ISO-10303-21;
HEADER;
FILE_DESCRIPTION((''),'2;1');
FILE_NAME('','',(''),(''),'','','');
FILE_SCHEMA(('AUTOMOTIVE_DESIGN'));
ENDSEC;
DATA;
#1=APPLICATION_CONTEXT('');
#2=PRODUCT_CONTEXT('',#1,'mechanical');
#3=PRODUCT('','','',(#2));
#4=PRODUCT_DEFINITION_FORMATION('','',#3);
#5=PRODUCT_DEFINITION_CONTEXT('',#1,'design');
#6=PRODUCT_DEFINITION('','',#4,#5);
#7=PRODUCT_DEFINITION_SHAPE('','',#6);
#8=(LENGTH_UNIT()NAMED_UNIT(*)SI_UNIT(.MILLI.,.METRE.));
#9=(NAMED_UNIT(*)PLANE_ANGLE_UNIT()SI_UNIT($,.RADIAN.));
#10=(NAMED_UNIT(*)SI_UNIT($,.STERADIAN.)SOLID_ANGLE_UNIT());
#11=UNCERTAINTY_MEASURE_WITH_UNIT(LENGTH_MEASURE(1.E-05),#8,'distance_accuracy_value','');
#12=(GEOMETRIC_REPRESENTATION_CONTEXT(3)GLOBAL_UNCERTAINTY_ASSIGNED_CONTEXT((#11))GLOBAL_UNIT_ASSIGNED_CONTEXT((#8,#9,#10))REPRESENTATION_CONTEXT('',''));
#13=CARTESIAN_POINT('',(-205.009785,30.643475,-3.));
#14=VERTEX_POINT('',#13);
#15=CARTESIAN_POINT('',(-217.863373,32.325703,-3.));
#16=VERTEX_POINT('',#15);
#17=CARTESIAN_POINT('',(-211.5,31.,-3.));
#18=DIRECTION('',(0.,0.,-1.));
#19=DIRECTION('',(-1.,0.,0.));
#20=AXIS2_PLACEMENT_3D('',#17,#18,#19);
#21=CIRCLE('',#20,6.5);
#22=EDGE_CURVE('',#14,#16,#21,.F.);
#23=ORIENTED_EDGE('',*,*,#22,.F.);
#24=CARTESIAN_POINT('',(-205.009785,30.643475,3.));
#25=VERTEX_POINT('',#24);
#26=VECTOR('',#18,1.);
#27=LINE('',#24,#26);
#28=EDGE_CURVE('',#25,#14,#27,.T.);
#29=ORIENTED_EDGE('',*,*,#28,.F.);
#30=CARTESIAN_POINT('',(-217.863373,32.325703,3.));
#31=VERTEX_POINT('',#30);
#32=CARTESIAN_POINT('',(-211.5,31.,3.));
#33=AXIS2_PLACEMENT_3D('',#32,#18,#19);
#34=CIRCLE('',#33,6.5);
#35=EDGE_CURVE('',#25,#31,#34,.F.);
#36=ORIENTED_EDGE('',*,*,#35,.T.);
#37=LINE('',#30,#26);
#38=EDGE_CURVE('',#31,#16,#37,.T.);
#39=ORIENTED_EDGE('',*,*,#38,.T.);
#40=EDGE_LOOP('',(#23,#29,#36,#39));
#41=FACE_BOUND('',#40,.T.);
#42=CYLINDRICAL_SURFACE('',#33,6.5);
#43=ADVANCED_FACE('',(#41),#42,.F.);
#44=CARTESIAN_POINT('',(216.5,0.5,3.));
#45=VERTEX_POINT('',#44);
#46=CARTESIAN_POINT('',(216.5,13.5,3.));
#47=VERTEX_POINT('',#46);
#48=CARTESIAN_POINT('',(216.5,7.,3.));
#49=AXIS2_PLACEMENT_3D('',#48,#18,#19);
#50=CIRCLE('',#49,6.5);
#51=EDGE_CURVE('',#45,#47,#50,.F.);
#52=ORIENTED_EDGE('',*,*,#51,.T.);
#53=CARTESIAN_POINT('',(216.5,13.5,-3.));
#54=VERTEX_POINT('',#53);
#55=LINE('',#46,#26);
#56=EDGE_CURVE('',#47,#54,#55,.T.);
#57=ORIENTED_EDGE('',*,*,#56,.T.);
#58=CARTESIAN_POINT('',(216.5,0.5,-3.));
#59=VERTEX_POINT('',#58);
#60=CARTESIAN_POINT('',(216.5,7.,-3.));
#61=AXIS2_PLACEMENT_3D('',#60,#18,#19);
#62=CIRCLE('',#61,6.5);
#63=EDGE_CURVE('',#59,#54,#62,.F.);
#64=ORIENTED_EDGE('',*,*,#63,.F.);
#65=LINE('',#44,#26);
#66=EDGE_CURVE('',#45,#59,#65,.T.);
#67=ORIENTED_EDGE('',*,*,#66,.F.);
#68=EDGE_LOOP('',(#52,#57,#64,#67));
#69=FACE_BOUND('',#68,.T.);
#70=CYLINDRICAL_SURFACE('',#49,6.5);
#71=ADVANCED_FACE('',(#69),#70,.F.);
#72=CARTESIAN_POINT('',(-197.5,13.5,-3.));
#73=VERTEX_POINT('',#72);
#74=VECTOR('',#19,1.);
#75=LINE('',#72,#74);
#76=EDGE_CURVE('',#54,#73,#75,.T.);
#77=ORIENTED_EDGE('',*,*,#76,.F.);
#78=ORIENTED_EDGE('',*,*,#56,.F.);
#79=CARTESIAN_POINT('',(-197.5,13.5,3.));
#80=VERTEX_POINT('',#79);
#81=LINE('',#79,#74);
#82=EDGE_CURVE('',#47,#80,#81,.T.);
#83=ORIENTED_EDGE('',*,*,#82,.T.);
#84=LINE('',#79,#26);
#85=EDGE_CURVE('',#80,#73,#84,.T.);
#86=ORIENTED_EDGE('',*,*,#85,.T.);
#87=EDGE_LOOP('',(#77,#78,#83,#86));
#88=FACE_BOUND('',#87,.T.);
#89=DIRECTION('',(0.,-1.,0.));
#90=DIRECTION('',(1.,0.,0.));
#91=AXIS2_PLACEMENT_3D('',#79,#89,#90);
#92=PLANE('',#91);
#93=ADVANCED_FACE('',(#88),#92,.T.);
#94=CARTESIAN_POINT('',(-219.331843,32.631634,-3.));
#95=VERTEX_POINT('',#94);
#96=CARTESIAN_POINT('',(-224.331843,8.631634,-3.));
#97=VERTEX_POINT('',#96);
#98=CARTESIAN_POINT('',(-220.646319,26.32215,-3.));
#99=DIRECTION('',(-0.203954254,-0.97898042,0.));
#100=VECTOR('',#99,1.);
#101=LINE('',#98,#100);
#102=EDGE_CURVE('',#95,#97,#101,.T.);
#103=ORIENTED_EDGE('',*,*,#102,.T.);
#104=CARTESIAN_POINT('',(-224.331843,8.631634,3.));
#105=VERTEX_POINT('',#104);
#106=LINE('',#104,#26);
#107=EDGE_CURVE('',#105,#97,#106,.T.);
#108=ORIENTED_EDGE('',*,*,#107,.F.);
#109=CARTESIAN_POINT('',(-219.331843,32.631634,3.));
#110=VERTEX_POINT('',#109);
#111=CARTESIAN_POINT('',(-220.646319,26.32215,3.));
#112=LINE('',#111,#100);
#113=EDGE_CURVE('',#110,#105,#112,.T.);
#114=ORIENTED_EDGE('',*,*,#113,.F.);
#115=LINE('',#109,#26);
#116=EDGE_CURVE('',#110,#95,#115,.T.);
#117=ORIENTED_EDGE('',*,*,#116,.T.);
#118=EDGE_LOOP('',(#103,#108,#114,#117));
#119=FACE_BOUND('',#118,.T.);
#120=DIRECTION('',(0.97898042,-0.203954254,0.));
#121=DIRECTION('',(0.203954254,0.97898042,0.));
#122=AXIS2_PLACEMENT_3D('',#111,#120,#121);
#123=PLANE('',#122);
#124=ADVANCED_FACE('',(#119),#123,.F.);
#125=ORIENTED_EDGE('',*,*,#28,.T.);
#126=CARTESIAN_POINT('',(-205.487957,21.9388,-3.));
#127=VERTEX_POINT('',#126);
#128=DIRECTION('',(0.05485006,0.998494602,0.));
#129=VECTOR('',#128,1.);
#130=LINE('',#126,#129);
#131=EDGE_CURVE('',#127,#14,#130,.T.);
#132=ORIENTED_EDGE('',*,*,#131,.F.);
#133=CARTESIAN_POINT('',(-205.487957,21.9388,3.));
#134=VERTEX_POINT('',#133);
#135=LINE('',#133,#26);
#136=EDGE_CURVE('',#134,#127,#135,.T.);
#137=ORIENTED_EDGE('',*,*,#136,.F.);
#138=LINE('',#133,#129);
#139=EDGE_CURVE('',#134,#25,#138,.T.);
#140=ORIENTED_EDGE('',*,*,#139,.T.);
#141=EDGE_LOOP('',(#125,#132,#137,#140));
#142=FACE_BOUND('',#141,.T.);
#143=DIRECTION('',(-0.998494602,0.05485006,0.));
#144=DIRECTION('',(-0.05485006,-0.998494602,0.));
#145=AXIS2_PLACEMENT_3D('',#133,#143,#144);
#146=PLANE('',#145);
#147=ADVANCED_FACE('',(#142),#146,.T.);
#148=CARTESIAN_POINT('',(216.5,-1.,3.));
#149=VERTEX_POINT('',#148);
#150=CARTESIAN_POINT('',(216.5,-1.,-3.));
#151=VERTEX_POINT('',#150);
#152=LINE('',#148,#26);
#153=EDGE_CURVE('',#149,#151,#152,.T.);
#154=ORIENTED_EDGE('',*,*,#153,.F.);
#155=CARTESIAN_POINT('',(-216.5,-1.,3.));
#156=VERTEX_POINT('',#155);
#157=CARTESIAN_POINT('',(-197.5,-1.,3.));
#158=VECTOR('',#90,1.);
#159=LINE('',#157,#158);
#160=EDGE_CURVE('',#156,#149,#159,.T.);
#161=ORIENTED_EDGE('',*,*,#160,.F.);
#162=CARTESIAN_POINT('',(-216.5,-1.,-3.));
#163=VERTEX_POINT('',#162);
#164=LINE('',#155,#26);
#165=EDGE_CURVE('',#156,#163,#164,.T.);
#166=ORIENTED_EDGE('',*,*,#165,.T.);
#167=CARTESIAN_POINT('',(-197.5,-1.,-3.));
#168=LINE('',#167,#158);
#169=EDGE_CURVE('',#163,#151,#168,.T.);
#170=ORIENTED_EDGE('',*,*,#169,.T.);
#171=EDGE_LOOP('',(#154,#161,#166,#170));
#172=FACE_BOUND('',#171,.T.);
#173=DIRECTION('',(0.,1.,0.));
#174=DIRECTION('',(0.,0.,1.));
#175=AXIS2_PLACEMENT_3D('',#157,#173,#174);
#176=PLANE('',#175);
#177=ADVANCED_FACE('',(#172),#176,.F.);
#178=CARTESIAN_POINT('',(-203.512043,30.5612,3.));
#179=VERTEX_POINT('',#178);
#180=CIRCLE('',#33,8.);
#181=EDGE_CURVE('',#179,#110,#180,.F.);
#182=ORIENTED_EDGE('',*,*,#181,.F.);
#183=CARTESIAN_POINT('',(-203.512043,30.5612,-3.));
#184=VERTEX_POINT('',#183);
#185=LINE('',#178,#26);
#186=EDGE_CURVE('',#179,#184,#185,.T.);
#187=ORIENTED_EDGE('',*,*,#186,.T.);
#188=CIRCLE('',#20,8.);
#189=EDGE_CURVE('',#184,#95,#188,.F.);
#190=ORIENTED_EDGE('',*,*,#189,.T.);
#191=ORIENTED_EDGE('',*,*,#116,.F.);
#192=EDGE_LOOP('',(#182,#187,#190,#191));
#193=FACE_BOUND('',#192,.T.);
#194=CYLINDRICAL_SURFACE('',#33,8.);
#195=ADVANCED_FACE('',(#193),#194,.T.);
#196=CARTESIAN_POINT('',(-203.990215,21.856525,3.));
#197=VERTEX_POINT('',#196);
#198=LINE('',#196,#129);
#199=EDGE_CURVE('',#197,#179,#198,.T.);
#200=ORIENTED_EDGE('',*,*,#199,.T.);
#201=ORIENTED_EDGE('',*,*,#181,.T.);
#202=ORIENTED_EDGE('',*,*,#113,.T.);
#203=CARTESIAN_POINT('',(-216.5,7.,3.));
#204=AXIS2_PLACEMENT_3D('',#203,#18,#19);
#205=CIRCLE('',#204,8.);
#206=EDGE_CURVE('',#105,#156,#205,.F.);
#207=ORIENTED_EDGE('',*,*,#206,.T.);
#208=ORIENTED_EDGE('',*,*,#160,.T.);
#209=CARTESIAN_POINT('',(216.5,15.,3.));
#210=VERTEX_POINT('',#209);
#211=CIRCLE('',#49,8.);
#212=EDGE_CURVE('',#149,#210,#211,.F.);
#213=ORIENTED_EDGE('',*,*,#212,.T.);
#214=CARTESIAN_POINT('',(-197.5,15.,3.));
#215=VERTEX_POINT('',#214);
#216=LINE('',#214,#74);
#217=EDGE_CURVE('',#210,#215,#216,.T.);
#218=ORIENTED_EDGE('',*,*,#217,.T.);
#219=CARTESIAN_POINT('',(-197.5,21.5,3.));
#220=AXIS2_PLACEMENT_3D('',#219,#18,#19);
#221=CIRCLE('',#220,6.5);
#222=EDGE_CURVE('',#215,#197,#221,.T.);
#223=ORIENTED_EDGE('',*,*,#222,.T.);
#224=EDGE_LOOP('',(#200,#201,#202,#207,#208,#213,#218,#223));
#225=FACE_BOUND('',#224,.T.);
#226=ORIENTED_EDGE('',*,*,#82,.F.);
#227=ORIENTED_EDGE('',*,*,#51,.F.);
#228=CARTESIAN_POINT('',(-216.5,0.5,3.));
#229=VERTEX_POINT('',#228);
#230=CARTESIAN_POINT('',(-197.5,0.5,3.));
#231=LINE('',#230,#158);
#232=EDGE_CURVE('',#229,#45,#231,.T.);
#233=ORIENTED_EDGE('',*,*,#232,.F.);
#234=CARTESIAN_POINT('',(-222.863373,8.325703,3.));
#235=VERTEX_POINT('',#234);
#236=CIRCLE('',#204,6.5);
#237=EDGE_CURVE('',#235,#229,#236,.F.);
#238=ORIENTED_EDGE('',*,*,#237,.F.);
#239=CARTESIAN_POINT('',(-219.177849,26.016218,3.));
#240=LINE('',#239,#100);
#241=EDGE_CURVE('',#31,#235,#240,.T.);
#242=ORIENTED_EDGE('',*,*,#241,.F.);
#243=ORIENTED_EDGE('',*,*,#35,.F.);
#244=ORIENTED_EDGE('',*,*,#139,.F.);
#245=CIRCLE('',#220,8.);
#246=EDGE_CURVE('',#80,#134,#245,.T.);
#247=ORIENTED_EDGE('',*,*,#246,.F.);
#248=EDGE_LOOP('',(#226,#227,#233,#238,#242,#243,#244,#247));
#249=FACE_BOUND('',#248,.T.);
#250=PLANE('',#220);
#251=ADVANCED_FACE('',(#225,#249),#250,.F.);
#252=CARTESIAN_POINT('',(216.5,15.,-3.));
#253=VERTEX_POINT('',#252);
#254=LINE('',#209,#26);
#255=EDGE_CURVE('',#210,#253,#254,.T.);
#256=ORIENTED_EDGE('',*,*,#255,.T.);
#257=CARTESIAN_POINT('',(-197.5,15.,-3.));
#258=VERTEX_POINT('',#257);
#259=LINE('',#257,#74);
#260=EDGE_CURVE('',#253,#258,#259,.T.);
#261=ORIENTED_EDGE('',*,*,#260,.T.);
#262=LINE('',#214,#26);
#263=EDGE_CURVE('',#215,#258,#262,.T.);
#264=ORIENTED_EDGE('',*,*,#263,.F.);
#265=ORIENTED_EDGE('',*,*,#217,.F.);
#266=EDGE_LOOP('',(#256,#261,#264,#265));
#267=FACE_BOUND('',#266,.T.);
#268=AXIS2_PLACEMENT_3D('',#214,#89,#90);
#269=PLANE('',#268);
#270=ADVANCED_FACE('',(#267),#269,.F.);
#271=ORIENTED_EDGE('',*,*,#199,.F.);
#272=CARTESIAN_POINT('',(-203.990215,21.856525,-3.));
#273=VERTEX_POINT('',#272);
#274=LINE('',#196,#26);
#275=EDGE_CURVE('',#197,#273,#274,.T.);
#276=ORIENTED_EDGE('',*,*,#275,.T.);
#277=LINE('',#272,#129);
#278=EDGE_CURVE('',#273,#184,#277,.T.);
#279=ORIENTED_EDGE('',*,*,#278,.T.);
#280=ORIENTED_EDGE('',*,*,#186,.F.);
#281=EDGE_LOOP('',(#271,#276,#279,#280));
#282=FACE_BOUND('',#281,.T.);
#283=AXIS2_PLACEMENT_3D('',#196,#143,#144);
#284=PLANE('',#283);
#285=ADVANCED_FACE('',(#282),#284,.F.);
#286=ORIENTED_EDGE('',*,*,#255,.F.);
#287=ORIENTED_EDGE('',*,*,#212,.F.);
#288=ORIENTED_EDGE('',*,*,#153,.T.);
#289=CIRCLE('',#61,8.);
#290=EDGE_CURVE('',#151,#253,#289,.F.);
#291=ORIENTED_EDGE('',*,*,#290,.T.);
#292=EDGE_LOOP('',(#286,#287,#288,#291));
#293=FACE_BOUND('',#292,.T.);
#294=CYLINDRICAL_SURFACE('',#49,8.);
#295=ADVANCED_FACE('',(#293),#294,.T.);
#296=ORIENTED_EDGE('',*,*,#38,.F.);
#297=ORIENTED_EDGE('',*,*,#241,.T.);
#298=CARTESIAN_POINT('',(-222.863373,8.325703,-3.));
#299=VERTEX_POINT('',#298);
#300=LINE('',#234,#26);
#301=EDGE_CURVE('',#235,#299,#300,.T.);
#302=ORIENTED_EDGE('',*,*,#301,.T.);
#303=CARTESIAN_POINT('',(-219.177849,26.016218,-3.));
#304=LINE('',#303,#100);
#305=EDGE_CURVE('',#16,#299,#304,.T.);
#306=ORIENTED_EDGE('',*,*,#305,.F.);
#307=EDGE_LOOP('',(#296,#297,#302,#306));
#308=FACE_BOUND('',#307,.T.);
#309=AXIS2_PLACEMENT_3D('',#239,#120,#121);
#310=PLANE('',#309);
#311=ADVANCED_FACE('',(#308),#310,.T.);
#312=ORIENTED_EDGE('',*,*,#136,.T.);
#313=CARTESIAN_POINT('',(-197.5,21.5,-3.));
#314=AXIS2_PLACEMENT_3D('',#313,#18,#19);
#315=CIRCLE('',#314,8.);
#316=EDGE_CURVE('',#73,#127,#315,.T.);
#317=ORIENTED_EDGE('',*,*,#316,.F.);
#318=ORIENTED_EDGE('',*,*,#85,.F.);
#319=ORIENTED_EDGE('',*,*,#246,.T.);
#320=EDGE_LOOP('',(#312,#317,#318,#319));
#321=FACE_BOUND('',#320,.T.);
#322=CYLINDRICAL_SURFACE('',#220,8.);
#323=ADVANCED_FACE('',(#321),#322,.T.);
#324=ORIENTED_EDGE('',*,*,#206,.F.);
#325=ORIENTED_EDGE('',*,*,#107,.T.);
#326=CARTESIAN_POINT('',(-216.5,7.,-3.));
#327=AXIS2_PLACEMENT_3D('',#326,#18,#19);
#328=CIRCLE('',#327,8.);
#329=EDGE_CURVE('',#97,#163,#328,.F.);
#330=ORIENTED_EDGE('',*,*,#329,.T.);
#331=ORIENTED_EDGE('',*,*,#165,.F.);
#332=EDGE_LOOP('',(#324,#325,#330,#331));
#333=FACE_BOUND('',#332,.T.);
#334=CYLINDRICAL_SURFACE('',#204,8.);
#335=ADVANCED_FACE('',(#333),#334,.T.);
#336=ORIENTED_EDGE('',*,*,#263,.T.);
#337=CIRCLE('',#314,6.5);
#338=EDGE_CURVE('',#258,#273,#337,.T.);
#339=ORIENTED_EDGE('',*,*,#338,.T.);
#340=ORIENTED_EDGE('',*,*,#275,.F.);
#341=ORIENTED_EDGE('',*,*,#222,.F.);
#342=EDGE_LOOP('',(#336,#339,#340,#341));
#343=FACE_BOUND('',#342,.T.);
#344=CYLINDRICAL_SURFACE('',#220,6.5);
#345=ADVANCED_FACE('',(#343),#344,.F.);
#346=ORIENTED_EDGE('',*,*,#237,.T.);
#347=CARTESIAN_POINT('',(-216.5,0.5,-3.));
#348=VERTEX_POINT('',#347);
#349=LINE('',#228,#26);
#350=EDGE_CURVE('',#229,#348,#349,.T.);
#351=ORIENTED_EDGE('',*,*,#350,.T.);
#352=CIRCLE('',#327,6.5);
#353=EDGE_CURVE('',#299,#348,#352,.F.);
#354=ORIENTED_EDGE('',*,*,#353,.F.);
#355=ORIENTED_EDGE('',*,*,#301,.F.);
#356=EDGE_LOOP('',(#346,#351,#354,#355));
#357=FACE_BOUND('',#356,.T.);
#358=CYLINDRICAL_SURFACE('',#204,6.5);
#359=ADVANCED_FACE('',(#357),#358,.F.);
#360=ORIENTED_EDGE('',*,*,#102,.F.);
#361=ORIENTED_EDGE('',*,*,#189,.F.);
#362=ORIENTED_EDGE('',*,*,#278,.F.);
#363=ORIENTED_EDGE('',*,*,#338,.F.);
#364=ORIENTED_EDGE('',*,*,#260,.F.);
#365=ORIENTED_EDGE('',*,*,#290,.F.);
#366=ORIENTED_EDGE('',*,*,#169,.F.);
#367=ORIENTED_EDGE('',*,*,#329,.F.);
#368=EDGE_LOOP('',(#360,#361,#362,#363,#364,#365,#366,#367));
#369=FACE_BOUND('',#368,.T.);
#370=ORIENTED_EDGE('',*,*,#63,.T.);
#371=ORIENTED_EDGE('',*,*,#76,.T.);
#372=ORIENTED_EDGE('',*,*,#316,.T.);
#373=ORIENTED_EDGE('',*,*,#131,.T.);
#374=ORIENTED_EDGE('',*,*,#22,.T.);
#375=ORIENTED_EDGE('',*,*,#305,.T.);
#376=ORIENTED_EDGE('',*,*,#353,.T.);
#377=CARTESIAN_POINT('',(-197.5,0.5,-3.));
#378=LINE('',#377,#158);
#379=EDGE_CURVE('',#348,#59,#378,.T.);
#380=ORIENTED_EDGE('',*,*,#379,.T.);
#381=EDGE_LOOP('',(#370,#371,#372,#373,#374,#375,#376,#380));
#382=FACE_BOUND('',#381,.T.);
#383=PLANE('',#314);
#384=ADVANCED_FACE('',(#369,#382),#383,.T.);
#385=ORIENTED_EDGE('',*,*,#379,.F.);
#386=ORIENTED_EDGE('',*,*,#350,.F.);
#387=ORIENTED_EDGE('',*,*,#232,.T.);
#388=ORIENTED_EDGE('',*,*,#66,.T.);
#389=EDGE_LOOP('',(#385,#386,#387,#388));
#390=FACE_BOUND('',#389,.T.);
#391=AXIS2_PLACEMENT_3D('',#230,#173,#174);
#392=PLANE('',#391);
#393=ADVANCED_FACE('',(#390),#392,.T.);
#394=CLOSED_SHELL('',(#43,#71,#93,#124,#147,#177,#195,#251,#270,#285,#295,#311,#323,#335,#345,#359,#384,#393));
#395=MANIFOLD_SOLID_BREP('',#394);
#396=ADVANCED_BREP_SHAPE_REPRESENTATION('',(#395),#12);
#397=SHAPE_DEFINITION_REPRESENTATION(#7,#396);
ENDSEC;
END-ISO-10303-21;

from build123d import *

# Parameters (mm, degrees)
EXTRUDE_THIN1_DEPTH = 3


with BuildPart() as part:
    # Sketch1 → Extrude-Thin1 (new, symmetric)
    with BuildSketch(Plane.XY):
        with BuildLine():
            Line((-219.331843358, 32.631634033), (-224.331843358, 8.631634033))
            ThreePointArc((-224.331843358, 8.631634033), (-222.706974797, 1.952875683), (-216.5, -1))
            Line((-216.5, -1), (216.5, -1))
            ThreePointArc((216.5, -1), (224.5, 7), (216.5, 15))
            Line((216.5, 15), (-197.5, 15))
            ThreePointArc((-197.5, 15), (-202.220562203, 17.031634248), (-203.990214915, 21.856525388))
            Line((-203.990214915, 21.856525388), (-203.512043181, 30.561199523))
            ThreePointArc((-203.512043181, 30.561199523), (-210.461844126, 38.932353521), (-219.331843358, 32.631634033))
        make_face()
        with BuildLine():
            Line((-217.863372728, 32.325702652), (-222.863372728, 8.325702652))
            ThreePointArc((-222.863372728, 8.325702652), (-221.543167023, 2.899211493), (-216.5, 0.5))
            Line((-216.5, 0.5), (216.5, 0.5))
            ThreePointArc((216.5, 0.5), (223, 7), (216.5, 13.5))
            Line((216.5, 13.5), (-197.5, 13.5))
            ThreePointArc((-197.5, 13.5), (-203.309922711, 16.000472921), (-205.487956819, 21.938800477))
            Line((-205.487956819, 21.938800477), (-205.009785085, 30.643474612))
            ThreePointArc((-205.009785085, 30.643474612), (-210.656498352, 37.445037236), (-217.863372728, 32.325702652))
        make_face(mode=Mode.SUBTRACT)
    extrude(amount=EXTRUDE_THIN1_DEPTH, both=True)


solid = part.part
